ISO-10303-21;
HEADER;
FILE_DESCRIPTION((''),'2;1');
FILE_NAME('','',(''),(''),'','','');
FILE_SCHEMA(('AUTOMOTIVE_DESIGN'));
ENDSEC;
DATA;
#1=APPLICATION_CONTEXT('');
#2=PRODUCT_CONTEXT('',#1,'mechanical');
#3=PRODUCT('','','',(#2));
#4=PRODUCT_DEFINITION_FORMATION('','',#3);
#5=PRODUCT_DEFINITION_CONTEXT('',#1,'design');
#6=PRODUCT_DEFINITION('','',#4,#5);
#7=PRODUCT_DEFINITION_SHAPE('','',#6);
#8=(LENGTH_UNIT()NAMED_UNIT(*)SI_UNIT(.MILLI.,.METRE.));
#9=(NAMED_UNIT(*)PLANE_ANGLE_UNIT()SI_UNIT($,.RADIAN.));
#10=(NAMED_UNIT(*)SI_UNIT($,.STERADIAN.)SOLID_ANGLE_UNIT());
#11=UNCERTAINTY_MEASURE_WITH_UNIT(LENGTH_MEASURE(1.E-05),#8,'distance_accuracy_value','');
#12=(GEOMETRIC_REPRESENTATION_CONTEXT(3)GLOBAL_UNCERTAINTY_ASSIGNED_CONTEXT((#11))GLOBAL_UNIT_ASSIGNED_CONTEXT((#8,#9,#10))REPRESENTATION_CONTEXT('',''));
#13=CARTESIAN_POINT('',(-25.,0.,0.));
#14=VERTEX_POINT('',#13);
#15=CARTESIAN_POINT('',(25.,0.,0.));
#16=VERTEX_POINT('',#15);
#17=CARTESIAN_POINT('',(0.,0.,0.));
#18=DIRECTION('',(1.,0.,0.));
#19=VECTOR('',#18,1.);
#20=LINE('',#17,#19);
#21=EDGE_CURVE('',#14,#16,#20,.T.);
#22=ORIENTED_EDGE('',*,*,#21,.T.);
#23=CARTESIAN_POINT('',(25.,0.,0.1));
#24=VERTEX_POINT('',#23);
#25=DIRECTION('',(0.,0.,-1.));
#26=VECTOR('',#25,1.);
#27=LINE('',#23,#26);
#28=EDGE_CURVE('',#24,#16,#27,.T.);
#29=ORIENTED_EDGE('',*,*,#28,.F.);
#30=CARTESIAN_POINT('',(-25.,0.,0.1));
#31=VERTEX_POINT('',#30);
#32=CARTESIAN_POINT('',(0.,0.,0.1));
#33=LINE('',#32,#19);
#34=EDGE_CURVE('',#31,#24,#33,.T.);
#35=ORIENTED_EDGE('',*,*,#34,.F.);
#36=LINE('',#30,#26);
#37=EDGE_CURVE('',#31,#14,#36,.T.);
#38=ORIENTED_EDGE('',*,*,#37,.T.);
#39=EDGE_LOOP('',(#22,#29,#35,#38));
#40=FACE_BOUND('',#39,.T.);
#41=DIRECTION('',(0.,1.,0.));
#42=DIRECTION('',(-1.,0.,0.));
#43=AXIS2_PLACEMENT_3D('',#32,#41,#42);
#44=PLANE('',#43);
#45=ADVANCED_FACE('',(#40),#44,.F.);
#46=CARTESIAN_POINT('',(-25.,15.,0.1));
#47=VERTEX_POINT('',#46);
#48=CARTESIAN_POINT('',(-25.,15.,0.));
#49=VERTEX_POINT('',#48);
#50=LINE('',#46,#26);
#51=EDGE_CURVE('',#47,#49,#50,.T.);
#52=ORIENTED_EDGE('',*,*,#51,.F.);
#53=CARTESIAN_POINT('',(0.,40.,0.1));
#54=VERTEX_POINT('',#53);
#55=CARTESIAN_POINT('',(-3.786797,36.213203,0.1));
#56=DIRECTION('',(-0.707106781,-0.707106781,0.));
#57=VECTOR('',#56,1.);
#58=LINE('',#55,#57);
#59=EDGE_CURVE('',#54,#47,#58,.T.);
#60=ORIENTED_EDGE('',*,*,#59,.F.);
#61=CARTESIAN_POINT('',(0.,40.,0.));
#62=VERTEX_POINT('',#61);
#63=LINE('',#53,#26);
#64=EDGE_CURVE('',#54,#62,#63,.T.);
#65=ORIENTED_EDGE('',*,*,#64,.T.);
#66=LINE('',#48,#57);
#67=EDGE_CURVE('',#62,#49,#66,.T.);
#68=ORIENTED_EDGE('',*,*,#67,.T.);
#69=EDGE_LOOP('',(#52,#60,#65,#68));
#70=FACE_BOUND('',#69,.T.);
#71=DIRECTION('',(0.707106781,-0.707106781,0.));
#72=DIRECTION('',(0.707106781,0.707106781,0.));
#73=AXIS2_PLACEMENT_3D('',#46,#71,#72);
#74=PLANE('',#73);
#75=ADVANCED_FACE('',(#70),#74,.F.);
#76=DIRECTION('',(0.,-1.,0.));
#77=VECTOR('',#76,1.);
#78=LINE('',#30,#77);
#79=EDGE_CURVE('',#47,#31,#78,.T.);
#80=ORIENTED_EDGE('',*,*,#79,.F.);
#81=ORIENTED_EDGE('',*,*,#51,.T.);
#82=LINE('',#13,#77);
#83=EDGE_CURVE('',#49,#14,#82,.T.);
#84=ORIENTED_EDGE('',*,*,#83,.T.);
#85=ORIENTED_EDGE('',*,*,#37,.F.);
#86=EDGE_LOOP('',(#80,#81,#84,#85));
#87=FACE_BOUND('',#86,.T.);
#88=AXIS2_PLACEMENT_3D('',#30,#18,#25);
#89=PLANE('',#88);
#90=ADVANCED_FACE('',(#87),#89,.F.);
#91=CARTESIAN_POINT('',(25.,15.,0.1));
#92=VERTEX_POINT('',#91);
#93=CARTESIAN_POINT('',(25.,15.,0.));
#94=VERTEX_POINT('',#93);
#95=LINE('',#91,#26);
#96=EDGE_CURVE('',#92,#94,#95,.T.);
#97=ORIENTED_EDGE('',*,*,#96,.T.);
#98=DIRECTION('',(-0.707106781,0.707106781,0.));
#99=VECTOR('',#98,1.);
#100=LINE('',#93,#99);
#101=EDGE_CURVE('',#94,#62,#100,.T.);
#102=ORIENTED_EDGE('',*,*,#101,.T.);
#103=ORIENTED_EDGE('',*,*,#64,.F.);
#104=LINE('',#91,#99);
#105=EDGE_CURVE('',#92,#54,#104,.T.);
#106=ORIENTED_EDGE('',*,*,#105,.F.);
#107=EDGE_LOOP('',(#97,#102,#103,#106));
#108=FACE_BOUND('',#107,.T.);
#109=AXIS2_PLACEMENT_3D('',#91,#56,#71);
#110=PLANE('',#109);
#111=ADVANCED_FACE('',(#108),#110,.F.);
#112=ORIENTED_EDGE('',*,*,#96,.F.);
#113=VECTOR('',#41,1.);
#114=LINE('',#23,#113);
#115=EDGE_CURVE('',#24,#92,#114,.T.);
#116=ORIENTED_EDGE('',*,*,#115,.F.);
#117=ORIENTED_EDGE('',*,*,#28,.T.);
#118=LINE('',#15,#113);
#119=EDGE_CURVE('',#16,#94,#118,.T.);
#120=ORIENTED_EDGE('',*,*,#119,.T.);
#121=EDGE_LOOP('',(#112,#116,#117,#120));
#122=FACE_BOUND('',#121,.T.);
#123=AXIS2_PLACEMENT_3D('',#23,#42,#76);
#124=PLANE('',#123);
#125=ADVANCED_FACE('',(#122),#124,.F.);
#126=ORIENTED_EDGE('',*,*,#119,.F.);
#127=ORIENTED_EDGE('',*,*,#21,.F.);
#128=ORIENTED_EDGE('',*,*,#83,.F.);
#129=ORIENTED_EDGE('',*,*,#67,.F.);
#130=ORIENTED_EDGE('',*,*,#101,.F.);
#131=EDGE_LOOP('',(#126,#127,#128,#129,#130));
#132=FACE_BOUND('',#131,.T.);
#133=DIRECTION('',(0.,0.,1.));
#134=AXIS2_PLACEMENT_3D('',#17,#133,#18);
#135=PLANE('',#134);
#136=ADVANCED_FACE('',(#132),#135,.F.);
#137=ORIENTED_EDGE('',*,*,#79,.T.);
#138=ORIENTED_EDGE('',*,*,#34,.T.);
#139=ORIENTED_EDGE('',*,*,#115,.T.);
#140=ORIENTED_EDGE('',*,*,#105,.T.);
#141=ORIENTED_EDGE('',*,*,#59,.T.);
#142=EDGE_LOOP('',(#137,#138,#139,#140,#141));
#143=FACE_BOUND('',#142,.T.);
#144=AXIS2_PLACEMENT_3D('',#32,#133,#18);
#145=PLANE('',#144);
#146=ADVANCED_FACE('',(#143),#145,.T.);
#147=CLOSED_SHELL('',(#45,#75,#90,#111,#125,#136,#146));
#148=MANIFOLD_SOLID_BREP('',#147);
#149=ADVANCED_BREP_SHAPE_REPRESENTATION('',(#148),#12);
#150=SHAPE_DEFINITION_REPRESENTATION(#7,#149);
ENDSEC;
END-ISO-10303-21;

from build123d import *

# Parameters (mm, degrees)
BOSS_EXTRUDE1_DEPTH = 0.1


with BuildPart() as part:
    # Sketch1 → Boss-Extrude1 (new body)
    with BuildSketch(Plane.XY):
        Polygon((0, 0), (-25, 0), (-25, 15), (-3.786796564, 36.213203436), (0, 40), (25, 15), (25, 0), align=None)
    extrude(amount=BOSS_EXTRUDE1_DEPTH)


solid = part.part
